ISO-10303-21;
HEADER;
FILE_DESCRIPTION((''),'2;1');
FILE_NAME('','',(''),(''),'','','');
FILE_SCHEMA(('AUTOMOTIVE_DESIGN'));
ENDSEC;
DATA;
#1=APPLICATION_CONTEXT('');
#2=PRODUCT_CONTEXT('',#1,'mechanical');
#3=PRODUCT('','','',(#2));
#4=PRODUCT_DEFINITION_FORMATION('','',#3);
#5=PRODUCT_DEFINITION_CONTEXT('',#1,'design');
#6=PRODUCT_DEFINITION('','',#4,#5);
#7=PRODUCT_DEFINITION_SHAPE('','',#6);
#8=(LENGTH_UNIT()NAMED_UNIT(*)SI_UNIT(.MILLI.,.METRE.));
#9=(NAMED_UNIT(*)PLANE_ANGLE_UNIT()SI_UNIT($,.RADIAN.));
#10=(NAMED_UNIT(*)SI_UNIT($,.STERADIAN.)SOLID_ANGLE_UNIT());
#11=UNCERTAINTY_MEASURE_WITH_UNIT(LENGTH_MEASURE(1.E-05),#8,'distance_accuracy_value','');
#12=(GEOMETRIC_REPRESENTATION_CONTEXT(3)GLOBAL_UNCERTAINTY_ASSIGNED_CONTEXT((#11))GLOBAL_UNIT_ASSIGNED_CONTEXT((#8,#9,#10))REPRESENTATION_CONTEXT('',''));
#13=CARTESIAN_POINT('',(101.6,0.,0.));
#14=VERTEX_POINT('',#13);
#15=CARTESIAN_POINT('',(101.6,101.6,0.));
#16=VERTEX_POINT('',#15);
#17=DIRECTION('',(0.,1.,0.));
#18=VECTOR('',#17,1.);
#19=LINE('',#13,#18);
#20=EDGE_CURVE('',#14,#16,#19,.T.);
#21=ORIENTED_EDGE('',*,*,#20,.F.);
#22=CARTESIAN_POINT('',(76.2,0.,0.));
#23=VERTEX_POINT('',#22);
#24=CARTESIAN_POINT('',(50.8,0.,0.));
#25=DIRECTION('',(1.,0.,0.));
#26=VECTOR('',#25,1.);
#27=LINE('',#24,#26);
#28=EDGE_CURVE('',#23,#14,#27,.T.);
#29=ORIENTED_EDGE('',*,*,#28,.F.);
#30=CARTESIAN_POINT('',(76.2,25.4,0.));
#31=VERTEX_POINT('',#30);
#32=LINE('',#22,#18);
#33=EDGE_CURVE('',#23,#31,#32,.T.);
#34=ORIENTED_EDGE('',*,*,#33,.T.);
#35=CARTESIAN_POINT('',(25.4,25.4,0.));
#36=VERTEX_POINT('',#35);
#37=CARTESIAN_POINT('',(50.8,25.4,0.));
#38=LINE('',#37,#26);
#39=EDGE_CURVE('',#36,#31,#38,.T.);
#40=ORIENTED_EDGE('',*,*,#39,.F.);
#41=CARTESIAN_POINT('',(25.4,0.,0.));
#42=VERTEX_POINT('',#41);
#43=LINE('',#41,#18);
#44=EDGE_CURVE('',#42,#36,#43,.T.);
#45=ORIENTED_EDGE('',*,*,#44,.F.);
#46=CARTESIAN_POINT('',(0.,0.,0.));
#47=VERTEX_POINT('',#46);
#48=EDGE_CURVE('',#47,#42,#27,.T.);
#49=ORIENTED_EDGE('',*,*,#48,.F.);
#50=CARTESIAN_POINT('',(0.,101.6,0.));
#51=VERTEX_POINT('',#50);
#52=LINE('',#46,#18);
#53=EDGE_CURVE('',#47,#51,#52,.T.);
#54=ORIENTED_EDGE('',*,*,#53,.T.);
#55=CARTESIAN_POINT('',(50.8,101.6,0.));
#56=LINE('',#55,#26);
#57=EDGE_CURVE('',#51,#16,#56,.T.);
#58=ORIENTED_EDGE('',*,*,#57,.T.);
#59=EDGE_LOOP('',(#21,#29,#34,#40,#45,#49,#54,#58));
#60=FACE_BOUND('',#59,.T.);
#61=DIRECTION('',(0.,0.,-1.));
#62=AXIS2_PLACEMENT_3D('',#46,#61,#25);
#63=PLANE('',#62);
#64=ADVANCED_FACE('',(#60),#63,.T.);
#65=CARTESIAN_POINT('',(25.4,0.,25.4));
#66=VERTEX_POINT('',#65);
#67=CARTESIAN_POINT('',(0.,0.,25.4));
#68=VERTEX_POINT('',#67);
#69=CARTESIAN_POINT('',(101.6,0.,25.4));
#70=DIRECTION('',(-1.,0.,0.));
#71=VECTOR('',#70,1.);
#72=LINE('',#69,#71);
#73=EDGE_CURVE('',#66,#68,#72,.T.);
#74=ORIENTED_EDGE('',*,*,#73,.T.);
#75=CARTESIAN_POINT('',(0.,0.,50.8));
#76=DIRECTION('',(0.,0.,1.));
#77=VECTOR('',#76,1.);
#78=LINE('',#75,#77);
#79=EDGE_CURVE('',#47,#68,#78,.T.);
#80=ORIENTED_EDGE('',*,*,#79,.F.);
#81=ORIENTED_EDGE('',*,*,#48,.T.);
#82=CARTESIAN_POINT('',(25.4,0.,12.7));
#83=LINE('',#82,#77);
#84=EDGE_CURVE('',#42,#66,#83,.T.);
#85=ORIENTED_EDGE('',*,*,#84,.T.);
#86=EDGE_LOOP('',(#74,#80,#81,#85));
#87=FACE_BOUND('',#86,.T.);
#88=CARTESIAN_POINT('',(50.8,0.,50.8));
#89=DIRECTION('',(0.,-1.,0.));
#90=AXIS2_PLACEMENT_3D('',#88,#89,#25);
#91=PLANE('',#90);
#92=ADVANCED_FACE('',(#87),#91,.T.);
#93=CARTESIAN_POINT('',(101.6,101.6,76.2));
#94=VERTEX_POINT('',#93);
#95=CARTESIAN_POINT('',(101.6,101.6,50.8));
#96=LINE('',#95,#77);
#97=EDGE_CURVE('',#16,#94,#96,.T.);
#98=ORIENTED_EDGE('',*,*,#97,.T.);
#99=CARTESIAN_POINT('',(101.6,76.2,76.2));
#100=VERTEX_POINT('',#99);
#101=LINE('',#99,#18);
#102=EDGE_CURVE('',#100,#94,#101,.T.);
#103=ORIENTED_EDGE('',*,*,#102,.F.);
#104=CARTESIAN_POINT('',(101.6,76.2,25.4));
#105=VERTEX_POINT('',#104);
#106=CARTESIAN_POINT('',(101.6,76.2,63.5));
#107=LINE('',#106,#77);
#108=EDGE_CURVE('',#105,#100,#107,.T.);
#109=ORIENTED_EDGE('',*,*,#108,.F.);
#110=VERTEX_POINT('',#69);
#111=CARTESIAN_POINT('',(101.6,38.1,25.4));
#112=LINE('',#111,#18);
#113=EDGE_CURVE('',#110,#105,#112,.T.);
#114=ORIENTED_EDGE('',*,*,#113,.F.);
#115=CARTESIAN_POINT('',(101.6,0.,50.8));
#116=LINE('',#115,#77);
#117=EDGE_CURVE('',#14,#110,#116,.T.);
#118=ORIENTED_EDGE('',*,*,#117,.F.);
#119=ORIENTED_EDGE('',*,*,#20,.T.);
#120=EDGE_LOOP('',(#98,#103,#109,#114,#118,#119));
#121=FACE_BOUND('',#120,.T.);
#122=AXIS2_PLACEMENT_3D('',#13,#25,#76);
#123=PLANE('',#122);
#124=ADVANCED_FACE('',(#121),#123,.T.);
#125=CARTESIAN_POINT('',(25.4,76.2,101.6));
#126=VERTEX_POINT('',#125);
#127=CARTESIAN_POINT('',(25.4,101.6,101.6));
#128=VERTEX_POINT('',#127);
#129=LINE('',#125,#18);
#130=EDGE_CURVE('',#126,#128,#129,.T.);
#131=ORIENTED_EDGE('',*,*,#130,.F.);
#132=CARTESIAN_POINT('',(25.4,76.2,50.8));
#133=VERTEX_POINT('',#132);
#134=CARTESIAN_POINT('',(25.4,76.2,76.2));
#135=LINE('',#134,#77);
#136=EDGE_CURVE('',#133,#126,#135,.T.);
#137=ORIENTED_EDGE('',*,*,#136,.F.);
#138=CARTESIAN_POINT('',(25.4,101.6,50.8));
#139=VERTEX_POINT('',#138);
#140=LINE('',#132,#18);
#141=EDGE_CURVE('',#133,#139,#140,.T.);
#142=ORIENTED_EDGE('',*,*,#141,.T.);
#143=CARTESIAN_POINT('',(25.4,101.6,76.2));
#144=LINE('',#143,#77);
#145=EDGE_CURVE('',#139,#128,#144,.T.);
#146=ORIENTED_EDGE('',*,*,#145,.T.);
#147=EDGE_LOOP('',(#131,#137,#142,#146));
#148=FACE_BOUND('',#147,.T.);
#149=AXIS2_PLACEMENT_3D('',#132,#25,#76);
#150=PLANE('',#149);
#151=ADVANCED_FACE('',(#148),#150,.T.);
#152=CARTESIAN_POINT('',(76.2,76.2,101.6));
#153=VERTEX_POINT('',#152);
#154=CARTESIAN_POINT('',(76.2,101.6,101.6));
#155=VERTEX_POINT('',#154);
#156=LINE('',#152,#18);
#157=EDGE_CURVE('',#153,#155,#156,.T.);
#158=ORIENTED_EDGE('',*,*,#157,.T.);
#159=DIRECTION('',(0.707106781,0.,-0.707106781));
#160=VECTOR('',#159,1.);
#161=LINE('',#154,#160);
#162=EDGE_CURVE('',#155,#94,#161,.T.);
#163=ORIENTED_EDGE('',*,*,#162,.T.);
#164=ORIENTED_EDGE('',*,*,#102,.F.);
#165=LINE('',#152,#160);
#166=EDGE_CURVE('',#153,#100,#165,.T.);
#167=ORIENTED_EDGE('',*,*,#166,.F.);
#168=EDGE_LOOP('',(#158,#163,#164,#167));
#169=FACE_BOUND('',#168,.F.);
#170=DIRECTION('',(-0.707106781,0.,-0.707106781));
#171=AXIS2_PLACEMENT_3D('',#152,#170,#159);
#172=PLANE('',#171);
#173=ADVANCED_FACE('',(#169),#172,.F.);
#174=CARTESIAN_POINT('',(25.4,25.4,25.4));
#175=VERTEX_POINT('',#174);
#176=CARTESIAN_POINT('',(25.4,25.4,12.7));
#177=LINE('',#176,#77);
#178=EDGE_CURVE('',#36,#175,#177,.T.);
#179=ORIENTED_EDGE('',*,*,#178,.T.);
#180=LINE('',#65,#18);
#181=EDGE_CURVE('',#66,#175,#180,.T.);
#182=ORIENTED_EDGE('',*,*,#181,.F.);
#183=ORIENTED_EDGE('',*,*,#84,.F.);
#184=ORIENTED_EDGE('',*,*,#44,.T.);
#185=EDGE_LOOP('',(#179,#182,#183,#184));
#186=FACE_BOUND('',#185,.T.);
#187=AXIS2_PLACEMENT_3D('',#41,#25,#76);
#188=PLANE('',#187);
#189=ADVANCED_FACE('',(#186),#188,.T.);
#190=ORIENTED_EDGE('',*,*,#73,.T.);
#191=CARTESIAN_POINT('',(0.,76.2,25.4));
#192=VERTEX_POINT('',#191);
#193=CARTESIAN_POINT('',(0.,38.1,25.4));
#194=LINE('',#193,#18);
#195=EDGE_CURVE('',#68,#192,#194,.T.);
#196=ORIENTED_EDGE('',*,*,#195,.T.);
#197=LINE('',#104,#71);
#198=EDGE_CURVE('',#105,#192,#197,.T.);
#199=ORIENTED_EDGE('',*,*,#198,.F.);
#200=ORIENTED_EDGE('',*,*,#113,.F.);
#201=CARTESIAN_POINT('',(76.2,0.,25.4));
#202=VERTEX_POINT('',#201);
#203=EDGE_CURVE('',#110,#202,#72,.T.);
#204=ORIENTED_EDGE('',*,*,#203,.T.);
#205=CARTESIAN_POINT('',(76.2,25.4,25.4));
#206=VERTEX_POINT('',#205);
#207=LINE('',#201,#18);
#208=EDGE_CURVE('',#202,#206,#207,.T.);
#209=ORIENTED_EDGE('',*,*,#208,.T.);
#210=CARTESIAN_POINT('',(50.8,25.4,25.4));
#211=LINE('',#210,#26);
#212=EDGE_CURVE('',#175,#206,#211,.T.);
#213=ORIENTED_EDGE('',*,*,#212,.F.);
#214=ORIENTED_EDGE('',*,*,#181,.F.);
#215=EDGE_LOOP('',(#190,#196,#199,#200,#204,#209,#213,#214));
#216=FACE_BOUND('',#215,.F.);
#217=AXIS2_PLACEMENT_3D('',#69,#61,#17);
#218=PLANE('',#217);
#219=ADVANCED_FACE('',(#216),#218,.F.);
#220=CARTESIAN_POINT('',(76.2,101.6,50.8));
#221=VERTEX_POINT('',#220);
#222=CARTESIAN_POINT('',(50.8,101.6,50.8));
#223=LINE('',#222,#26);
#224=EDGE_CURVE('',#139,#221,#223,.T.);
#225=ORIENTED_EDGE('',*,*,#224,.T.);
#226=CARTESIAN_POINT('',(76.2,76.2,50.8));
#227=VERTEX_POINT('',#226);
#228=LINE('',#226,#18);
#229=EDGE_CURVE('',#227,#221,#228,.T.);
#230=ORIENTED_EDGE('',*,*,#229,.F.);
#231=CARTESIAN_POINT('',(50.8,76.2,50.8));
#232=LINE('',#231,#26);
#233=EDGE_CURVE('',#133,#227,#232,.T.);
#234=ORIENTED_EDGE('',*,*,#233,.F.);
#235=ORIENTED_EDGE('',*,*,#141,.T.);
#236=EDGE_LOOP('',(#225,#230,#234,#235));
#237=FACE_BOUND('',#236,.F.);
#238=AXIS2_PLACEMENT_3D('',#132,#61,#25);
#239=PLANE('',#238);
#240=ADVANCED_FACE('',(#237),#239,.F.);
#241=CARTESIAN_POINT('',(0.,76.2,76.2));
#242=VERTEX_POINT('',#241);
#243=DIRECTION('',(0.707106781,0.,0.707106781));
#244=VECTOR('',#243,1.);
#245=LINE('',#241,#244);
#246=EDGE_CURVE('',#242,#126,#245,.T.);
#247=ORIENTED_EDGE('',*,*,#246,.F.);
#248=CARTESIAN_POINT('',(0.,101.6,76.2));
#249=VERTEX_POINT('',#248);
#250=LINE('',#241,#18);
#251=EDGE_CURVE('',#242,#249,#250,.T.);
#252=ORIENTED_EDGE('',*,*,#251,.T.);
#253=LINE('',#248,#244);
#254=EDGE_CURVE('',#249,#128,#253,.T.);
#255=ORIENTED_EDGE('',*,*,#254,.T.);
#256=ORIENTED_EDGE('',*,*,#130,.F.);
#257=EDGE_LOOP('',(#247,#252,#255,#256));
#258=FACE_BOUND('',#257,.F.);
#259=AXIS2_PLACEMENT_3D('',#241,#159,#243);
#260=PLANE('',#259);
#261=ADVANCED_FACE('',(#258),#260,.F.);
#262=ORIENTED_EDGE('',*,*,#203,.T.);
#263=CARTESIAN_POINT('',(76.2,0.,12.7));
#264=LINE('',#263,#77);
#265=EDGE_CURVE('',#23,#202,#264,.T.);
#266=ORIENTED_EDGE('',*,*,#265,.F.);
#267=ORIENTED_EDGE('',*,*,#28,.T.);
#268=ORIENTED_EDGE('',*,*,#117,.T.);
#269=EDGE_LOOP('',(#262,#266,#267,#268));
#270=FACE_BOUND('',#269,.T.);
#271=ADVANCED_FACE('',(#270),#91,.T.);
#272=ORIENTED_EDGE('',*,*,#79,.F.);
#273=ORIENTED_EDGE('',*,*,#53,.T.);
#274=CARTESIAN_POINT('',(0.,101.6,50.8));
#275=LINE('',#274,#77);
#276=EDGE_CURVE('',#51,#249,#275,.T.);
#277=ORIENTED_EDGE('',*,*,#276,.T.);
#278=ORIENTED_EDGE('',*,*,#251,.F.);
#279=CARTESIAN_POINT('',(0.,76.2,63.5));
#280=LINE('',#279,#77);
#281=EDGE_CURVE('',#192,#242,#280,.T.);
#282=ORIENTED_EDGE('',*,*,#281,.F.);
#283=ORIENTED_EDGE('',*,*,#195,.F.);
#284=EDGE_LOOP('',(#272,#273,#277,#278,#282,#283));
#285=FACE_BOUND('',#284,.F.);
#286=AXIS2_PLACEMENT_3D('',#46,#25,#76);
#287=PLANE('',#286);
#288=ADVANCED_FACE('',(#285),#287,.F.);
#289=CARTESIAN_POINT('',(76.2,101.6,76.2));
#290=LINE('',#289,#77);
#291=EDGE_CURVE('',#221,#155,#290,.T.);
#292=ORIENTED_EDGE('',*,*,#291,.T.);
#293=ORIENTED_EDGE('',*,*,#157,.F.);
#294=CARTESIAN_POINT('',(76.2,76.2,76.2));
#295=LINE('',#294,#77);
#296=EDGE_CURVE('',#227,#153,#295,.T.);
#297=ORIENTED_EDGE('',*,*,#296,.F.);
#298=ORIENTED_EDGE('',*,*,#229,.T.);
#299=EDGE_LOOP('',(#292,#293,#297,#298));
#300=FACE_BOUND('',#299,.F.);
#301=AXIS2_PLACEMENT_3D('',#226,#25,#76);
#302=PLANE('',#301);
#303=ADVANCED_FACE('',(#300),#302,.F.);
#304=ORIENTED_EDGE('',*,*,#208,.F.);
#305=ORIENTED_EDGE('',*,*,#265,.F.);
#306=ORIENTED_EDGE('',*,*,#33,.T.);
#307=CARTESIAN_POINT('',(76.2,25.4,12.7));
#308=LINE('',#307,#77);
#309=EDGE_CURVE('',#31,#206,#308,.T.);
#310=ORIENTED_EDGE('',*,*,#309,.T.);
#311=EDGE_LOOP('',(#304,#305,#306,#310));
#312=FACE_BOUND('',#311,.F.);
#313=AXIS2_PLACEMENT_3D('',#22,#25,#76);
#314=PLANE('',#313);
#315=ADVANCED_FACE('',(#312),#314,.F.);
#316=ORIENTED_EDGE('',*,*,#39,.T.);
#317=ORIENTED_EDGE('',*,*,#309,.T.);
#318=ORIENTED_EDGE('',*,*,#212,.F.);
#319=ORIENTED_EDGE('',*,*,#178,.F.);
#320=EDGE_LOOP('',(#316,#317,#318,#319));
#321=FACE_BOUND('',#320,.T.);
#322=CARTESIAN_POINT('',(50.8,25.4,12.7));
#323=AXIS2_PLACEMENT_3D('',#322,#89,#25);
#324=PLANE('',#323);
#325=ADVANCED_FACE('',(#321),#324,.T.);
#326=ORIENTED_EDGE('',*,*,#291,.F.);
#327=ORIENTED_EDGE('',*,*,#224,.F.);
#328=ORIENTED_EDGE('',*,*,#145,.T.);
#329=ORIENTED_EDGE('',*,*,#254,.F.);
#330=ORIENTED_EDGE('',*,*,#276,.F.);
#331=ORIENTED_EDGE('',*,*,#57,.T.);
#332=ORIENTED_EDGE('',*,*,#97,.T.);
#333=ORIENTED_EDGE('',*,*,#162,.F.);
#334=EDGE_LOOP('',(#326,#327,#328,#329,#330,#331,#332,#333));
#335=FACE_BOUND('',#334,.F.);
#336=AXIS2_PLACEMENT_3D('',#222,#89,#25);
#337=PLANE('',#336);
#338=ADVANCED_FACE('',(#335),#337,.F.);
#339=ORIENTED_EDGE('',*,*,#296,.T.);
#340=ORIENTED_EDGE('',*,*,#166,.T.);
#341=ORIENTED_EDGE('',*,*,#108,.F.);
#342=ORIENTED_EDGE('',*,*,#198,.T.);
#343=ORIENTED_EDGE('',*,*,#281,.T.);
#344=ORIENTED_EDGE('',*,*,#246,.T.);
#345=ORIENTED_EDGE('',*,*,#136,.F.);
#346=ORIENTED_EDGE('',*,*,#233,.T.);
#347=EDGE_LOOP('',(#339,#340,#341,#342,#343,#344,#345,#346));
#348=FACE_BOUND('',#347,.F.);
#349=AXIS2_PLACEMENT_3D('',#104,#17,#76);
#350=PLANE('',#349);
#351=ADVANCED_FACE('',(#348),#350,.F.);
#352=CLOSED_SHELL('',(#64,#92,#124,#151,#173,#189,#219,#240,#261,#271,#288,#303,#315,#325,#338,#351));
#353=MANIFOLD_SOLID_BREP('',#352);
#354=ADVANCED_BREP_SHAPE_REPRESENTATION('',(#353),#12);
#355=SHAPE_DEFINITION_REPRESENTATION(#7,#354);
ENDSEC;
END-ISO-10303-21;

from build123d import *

# Parameters (mm, degrees)
F0_W      = 101.6
F0_H      = 101.6
F1_DEPTH  = 101.6
F2_W      = 76.2
F2_H      = 76.2
F3_DEPTH  = 101.6
F4_W      = 50.8
F4_H      = 25.4
F5_DEPTH  = 25.4
F6_W      = 50.8
F6_H      = 50.8
F7_DEPTH  = 25.4
F9_DEPTH  = 25.4
F11_DEPTH = 25.4


with BuildPart() as f1:
    # F0 (on Front) → F1 (new body)
    with BuildSketch(Plane.XZ):
        with Locations((50.8, 50.8)):
            Rectangle(F0_W, F0_H)
    extrude(amount=-F1_DEPTH)

    # F2 (on face) → F3 (cut)
    with BuildSketch(Plane.YZ.offset(101.6)):
        with Locations((38.1, 63.5)):
            Rectangle(F2_W, F2_H)
    extrude(amount=-F3_DEPTH, mode=Mode.SUBTRACT)

    # F4 (on face) → F5 (cut)
    with BuildSketch(Plane.XZ):
        with Locations((50.8, 12.7)):
            Rectangle(F4_W, F4_H)
    extrude(amount=-F5_DEPTH, mode=Mode.SUBTRACT)

    # F6 (on face) → F7 (cut)
    with BuildSketch(Plane.XZ.offset(-76.2)):
        with Locations((50.8, 76.2)):
            Rectangle(F6_W, F6_H)
    extrude(amount=-F7_DEPTH, mode=Mode.SUBTRACT)

    # F8 (on face) → F9 (cut)
    with BuildSketch(Plane.XZ.offset(-76.2)):
        Polygon((0, 76.2), (25.4, 101.6), (0, 101.6), align=None)
    extrude(amount=-F9_DEPTH, mode=Mode.SUBTRACT)

    # F10 (on face) → F11 (cut)
    with BuildSketch(Plane.XZ.offset(-76.2)):
        Polygon((101.6, 101.6), (76.2, 101.6), (101.6, 76.2), align=None)
    extrude(amount=-F11_DEPTH, mode=Mode.SUBTRACT)


solid = f1.part
